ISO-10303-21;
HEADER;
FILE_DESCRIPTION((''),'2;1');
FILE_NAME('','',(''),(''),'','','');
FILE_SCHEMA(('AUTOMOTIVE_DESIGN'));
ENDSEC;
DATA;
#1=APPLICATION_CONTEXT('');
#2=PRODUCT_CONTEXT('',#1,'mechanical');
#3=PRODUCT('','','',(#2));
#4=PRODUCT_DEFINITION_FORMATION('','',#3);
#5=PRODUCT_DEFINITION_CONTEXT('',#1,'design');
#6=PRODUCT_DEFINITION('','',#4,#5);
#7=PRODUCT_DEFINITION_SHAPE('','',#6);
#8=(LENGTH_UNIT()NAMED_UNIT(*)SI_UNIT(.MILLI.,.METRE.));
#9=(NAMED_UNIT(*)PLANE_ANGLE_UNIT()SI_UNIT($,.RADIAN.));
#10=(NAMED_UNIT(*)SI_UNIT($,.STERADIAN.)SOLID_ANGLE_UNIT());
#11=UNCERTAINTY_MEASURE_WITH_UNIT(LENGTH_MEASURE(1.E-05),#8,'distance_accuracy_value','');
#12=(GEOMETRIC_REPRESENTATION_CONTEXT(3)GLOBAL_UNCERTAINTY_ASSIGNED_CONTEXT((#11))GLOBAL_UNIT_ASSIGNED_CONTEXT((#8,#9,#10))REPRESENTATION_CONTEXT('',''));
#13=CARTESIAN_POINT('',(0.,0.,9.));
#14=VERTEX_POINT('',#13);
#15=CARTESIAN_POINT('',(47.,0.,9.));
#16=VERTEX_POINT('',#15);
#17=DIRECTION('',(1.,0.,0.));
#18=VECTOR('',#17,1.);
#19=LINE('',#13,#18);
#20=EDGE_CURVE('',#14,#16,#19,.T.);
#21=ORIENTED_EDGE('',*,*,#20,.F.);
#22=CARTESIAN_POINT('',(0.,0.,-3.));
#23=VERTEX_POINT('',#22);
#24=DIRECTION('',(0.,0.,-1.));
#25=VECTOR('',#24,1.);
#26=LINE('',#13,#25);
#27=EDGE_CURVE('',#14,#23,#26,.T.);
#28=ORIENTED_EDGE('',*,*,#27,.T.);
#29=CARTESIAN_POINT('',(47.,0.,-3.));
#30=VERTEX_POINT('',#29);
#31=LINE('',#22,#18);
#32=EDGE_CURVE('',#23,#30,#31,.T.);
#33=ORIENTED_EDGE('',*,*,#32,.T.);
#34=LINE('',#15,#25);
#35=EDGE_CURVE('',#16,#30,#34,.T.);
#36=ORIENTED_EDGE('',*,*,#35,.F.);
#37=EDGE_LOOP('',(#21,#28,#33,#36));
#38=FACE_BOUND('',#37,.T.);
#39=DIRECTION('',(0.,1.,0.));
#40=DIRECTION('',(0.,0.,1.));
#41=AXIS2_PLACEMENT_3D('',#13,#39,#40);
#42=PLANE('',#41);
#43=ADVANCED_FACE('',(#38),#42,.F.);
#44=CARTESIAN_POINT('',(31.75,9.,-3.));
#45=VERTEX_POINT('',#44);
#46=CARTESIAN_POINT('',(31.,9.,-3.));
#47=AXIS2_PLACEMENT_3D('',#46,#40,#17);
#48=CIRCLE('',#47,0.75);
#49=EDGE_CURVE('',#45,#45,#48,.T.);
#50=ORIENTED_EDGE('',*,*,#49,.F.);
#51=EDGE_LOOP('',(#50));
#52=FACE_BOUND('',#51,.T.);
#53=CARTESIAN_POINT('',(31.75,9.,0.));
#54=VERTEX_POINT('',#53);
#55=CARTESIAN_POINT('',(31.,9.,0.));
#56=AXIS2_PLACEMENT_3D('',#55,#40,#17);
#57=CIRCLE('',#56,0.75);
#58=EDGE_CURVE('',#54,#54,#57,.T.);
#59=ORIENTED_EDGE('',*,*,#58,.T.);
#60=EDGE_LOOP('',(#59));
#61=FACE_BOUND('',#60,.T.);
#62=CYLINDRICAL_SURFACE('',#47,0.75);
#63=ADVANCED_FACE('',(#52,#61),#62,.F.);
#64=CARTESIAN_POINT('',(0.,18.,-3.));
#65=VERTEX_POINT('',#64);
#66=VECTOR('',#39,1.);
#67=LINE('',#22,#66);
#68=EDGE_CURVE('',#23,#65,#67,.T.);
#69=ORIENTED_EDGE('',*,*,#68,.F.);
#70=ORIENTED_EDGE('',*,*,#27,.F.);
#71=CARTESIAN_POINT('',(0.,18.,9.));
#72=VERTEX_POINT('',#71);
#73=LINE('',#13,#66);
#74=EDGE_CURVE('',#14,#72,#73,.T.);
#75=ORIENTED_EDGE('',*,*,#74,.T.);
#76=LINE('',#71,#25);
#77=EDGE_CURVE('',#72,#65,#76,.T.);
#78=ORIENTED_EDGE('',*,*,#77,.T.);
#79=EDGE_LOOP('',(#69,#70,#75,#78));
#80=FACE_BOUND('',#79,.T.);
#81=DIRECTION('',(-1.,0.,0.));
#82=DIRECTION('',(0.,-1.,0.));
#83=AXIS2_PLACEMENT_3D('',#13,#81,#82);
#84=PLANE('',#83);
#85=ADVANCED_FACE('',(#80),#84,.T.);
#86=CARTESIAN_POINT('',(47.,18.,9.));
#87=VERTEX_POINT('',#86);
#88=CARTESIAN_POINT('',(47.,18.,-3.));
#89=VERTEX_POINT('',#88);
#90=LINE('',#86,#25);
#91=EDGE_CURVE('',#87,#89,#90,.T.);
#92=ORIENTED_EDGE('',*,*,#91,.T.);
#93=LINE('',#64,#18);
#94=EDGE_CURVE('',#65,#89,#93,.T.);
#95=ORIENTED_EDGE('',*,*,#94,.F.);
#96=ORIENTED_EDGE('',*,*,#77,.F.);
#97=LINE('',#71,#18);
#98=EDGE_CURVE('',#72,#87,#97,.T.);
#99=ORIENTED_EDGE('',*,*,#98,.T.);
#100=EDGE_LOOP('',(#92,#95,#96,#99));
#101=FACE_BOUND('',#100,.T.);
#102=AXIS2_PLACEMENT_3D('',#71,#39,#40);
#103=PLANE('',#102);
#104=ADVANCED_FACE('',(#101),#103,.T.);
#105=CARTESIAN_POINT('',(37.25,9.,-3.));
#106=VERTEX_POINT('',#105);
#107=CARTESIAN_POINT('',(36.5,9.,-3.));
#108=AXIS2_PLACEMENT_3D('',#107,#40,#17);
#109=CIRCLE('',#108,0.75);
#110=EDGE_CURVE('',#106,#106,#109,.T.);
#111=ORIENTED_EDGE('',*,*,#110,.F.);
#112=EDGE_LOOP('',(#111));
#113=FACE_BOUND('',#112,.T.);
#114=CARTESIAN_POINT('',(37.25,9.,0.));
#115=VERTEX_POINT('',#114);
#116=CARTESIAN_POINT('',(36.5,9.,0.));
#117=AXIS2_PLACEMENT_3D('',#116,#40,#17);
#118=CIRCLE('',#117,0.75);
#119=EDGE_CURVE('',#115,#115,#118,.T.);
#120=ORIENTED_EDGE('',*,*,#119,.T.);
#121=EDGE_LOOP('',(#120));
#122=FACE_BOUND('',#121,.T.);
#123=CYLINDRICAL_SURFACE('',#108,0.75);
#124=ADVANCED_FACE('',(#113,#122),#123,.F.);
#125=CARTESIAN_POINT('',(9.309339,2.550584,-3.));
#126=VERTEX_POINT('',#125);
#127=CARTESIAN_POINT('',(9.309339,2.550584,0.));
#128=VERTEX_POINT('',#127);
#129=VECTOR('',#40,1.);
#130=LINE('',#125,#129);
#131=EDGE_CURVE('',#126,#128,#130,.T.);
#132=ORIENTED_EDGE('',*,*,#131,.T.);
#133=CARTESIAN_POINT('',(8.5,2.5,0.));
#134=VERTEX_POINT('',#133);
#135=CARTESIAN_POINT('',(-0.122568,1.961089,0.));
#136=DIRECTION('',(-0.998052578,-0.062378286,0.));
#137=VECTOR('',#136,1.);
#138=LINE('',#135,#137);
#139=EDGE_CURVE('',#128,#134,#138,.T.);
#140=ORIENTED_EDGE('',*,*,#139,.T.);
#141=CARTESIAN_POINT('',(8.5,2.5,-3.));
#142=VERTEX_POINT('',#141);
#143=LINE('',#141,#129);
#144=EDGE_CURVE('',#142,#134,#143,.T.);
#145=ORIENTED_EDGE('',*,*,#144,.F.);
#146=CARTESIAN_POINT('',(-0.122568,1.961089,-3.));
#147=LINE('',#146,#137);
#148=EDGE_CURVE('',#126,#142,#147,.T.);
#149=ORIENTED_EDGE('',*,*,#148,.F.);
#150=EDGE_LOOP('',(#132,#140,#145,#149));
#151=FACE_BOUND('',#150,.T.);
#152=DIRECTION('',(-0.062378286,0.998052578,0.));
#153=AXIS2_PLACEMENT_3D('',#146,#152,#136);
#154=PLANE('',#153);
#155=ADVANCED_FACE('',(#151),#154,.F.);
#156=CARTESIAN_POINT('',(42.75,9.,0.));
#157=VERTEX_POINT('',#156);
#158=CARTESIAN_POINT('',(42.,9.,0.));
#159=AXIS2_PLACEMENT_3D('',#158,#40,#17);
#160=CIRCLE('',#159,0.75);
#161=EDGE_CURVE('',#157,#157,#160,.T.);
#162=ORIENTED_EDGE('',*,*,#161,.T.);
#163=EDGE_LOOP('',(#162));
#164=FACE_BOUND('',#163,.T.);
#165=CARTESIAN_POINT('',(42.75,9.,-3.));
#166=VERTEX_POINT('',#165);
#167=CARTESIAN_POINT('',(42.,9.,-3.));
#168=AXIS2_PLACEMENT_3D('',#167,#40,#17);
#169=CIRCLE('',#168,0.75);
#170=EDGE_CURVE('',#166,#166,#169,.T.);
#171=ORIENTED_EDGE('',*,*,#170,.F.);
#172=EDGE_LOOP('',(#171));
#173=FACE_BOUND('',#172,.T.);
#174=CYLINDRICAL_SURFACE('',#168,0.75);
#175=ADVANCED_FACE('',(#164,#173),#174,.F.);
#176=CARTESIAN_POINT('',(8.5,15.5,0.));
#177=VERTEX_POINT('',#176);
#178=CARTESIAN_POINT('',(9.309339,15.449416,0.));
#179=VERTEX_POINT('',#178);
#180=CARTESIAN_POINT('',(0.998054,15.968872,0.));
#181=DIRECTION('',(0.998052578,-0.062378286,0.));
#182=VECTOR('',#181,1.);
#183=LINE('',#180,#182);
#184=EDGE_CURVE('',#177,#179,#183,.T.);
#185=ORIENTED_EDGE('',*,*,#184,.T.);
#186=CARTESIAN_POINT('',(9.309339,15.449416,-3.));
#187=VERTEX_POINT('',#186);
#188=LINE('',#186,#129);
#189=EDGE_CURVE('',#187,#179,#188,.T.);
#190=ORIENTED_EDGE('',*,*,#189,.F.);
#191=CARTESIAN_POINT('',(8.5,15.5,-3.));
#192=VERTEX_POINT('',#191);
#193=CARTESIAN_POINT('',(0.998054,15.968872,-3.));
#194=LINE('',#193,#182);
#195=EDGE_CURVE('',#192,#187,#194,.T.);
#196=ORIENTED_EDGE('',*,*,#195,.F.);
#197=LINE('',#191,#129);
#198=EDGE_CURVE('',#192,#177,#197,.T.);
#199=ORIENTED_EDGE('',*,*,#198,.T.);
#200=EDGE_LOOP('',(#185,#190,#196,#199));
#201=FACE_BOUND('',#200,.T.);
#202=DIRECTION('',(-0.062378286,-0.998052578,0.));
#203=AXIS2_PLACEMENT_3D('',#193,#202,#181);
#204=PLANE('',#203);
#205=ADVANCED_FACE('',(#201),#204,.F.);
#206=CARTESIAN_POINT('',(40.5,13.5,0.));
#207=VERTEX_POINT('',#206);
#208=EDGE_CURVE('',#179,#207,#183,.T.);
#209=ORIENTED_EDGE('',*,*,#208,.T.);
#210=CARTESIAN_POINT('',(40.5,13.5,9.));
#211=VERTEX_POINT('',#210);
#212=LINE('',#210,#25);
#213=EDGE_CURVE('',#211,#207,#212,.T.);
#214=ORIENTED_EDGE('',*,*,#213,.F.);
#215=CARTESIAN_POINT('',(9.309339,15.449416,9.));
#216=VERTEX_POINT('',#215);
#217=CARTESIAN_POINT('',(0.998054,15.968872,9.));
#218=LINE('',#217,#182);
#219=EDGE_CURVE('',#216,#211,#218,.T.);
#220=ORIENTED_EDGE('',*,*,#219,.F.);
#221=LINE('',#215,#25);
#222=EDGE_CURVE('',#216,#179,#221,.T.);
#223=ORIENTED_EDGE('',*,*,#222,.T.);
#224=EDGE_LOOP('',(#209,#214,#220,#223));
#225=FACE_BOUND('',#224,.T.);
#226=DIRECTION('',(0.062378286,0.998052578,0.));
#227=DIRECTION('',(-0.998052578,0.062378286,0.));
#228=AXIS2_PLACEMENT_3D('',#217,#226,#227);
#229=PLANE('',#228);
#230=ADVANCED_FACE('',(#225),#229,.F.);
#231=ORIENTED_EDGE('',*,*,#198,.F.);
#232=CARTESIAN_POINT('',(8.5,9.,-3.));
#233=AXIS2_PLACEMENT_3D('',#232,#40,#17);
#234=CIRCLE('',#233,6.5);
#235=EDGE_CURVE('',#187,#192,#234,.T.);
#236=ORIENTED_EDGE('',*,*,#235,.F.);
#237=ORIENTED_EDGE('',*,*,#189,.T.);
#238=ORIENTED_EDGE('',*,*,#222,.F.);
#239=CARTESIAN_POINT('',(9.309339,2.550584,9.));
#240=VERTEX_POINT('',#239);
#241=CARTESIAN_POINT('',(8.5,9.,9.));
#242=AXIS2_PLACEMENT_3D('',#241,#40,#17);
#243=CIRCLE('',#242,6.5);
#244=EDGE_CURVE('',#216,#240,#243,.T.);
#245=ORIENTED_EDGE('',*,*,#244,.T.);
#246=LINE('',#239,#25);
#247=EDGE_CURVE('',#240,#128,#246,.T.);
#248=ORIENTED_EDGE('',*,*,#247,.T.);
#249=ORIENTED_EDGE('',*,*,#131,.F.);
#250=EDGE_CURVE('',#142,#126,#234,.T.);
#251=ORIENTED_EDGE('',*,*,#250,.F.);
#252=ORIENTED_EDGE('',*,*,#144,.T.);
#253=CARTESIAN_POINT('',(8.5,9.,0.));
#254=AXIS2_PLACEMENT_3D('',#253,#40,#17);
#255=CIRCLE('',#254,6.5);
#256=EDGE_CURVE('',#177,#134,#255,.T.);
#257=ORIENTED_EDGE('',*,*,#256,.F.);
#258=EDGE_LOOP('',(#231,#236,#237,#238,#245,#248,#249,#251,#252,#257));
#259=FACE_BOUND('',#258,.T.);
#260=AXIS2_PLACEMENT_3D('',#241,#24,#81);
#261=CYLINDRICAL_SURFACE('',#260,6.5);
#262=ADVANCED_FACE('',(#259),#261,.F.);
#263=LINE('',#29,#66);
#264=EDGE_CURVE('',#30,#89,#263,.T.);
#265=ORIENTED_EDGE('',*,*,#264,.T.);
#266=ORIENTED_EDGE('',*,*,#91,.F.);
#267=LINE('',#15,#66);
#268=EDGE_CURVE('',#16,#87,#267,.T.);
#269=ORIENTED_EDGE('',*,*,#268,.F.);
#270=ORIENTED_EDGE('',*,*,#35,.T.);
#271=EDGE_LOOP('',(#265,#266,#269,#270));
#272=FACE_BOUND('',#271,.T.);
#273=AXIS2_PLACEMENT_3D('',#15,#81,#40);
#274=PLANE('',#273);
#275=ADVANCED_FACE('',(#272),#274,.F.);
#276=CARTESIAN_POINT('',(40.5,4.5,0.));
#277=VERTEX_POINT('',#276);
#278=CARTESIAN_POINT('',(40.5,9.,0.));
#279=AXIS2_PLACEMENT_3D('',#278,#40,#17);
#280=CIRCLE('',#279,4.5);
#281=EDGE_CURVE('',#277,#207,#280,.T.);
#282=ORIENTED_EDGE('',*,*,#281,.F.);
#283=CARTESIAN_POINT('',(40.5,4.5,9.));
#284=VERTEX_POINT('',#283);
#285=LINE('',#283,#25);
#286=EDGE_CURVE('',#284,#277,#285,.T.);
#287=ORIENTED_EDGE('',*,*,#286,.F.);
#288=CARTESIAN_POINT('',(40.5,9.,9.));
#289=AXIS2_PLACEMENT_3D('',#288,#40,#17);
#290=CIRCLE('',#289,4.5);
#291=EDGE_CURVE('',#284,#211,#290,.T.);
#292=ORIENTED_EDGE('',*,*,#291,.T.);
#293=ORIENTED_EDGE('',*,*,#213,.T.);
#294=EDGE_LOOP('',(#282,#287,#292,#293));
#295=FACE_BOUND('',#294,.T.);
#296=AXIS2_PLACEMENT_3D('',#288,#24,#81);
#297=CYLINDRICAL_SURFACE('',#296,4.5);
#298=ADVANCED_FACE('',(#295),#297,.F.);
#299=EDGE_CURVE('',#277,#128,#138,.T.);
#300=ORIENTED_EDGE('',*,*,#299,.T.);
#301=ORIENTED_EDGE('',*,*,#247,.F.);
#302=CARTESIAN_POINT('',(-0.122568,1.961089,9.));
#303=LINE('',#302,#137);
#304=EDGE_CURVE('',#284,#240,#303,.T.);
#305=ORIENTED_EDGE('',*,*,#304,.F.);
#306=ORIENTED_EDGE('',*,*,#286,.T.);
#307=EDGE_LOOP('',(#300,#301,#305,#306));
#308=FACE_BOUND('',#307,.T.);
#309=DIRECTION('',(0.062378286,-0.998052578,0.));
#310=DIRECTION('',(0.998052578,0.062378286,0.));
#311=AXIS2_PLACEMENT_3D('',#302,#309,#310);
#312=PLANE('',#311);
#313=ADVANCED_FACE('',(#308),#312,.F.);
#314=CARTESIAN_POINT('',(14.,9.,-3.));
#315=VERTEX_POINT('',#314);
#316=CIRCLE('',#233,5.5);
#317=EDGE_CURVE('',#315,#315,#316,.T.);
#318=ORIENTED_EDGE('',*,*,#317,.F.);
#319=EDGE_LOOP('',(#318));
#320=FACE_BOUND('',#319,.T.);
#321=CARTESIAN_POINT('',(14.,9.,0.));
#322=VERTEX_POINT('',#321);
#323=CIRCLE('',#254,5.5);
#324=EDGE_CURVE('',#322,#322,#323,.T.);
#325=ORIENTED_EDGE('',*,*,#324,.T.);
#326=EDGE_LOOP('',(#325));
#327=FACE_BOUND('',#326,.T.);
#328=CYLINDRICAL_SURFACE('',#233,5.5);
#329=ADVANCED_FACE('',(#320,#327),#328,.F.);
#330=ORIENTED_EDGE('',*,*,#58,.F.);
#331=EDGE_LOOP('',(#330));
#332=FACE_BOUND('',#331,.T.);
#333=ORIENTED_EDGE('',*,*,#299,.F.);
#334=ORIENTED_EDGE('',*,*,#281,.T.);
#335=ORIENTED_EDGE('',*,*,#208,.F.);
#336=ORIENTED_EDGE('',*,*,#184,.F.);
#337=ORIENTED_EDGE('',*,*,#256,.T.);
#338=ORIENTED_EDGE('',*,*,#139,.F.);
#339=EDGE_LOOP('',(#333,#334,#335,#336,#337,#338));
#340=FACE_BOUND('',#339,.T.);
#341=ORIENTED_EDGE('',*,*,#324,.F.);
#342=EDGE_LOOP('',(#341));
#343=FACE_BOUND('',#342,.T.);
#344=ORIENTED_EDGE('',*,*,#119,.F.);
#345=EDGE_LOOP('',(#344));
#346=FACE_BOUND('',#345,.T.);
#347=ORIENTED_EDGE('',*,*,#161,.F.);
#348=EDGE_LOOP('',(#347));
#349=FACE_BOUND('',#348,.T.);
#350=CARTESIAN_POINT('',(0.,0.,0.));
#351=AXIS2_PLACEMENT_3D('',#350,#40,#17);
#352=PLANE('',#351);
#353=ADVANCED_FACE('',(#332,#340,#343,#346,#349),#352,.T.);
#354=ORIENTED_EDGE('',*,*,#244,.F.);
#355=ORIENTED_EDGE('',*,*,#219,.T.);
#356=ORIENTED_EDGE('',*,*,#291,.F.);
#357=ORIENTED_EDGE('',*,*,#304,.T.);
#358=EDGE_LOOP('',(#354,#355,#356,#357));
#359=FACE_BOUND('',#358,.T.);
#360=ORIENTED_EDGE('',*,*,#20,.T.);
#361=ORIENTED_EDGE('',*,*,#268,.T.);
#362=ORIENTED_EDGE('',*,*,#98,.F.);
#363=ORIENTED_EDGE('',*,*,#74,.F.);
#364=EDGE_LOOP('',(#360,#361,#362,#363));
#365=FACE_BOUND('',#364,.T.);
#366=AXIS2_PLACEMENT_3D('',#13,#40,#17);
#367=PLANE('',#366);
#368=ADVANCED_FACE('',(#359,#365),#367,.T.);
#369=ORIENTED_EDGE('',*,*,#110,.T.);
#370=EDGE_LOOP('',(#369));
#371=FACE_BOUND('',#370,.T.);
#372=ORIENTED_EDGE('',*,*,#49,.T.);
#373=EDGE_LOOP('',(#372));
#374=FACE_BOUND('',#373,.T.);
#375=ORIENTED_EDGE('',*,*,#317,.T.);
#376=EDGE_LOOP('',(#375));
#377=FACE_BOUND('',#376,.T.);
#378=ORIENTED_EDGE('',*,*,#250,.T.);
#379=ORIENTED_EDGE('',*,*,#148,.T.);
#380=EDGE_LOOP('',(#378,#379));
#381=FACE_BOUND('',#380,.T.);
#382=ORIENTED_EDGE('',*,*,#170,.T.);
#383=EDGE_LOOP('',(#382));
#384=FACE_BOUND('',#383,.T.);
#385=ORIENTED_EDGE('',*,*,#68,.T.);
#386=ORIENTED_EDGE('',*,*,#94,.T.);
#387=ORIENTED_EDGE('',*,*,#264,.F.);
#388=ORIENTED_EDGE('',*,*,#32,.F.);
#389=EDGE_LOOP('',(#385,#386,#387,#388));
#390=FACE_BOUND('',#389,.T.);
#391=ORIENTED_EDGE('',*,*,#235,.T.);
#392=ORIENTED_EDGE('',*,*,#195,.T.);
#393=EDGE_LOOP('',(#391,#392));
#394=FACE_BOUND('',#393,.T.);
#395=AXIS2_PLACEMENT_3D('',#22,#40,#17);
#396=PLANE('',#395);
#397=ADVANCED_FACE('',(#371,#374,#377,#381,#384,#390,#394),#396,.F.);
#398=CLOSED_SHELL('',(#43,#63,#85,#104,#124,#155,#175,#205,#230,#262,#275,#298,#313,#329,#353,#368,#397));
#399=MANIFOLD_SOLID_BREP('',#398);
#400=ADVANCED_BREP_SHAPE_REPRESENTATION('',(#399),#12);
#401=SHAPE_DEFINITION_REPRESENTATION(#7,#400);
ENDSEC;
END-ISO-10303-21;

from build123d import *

# Parameters (mm, degrees)
BOSS_EXTRU_1_DEPTH = 9
BOSS_EXTRU_2_START = -3
ESQUISSE2_W        = 47
ESQUISSE2_H        = 18
ESQUISSE2_R        = 0.75
ESQUISSE2_R_2      = 5.5
BOSS_EXTRU_2_DEPTH = 3


with BuildPart() as part:
    # Esquisse1 → Boss.-Extru.1 (new body)
    with BuildSketch(Plane.XY):
        with BuildLine():
            Line((0, 18), (0, 9))
            Line((0, 9), (2, 9))
            ThreePointArc((2, 9), (3.903805922, 13.596194078), (8.5, 15.5))
            ThreePointArc((8.5, 15.5), (8.90545886, 15.48734176), (9.309338521, 15.449416342))
            Line((9.309338521, 15.449416342), (40.5, 13.5))
            ThreePointArc((40.5, 13.5), (43.681980515, 12.181980515), (45, 9))
            Line((45, 9), (47, 9))
            Line((47, 9), (47, 18))
            Line((47, 18), (0, 18))
        make_face()
        with BuildLine():
            Line((0, 9), (0, 0))
            Line((0, 0), (47, 0))
            Line((47, 0), (47, 9))
            Line((47, 9), (45, 9))
            ThreePointArc((45, 9), (43.681980515, 5.818019485), (40.5, 4.5))
            Line((40.5, 4.5), (9.309338521, 2.550583658))
            ThreePointArc((9.309338521, 2.550583658), (8.90545886, 2.51265824), (8.5, 2.5))
            ThreePointArc((8.5, 2.5), (3.903805922, 4.403805922), (2, 9))
            Line((2, 9), (0, 9))
        make_face()
    extrude(amount=BOSS_EXTRU_1_DEPTH)

    # Esquisse2 → Boss.-Extru.2 (add)
    with BuildSketch(Plane.XY.offset(BOSS_EXTRU_2_START)):
        with Locations((23.5, 9)):
            Rectangle(ESQUISSE2_W, ESQUISSE2_H)
        with BuildLine():
            Line((8.5, 2.5), (9.309338521, 2.550583658))
            ThreePointArc((9.309338521, 2.550583658), (8.90545886, 2.51265824), (8.5, 2.5))
        make_face(mode=Mode.SUBTRACT)
        with Locations((36.5, 9)):
            Circle(ESQUISSE2_R, mode=Mode.SUBTRACT)
        with Locations((31, 9)):
            Circle(ESQUISSE2_R, mode=Mode.SUBTRACT)
        with Locations((8.5, 9)):
            Circle(ESQUISSE2_R_2, mode=Mode.SUBTRACT)
        with BuildLine():
            Line((9.309338521, 15.449416342), (8.5, 15.5))
            ThreePointArc((8.5, 15.5), (8.90545886, 15.48734176), (9.309338521, 15.449416342))
        make_face(mode=Mode.SUBTRACT)
        with Locations((42, 9)):
            Circle(ESQUISSE2_R, mode=Mode.SUBTRACT)
    extrude(amount=BOSS_EXTRU_2_DEPTH)


solid = part.part
